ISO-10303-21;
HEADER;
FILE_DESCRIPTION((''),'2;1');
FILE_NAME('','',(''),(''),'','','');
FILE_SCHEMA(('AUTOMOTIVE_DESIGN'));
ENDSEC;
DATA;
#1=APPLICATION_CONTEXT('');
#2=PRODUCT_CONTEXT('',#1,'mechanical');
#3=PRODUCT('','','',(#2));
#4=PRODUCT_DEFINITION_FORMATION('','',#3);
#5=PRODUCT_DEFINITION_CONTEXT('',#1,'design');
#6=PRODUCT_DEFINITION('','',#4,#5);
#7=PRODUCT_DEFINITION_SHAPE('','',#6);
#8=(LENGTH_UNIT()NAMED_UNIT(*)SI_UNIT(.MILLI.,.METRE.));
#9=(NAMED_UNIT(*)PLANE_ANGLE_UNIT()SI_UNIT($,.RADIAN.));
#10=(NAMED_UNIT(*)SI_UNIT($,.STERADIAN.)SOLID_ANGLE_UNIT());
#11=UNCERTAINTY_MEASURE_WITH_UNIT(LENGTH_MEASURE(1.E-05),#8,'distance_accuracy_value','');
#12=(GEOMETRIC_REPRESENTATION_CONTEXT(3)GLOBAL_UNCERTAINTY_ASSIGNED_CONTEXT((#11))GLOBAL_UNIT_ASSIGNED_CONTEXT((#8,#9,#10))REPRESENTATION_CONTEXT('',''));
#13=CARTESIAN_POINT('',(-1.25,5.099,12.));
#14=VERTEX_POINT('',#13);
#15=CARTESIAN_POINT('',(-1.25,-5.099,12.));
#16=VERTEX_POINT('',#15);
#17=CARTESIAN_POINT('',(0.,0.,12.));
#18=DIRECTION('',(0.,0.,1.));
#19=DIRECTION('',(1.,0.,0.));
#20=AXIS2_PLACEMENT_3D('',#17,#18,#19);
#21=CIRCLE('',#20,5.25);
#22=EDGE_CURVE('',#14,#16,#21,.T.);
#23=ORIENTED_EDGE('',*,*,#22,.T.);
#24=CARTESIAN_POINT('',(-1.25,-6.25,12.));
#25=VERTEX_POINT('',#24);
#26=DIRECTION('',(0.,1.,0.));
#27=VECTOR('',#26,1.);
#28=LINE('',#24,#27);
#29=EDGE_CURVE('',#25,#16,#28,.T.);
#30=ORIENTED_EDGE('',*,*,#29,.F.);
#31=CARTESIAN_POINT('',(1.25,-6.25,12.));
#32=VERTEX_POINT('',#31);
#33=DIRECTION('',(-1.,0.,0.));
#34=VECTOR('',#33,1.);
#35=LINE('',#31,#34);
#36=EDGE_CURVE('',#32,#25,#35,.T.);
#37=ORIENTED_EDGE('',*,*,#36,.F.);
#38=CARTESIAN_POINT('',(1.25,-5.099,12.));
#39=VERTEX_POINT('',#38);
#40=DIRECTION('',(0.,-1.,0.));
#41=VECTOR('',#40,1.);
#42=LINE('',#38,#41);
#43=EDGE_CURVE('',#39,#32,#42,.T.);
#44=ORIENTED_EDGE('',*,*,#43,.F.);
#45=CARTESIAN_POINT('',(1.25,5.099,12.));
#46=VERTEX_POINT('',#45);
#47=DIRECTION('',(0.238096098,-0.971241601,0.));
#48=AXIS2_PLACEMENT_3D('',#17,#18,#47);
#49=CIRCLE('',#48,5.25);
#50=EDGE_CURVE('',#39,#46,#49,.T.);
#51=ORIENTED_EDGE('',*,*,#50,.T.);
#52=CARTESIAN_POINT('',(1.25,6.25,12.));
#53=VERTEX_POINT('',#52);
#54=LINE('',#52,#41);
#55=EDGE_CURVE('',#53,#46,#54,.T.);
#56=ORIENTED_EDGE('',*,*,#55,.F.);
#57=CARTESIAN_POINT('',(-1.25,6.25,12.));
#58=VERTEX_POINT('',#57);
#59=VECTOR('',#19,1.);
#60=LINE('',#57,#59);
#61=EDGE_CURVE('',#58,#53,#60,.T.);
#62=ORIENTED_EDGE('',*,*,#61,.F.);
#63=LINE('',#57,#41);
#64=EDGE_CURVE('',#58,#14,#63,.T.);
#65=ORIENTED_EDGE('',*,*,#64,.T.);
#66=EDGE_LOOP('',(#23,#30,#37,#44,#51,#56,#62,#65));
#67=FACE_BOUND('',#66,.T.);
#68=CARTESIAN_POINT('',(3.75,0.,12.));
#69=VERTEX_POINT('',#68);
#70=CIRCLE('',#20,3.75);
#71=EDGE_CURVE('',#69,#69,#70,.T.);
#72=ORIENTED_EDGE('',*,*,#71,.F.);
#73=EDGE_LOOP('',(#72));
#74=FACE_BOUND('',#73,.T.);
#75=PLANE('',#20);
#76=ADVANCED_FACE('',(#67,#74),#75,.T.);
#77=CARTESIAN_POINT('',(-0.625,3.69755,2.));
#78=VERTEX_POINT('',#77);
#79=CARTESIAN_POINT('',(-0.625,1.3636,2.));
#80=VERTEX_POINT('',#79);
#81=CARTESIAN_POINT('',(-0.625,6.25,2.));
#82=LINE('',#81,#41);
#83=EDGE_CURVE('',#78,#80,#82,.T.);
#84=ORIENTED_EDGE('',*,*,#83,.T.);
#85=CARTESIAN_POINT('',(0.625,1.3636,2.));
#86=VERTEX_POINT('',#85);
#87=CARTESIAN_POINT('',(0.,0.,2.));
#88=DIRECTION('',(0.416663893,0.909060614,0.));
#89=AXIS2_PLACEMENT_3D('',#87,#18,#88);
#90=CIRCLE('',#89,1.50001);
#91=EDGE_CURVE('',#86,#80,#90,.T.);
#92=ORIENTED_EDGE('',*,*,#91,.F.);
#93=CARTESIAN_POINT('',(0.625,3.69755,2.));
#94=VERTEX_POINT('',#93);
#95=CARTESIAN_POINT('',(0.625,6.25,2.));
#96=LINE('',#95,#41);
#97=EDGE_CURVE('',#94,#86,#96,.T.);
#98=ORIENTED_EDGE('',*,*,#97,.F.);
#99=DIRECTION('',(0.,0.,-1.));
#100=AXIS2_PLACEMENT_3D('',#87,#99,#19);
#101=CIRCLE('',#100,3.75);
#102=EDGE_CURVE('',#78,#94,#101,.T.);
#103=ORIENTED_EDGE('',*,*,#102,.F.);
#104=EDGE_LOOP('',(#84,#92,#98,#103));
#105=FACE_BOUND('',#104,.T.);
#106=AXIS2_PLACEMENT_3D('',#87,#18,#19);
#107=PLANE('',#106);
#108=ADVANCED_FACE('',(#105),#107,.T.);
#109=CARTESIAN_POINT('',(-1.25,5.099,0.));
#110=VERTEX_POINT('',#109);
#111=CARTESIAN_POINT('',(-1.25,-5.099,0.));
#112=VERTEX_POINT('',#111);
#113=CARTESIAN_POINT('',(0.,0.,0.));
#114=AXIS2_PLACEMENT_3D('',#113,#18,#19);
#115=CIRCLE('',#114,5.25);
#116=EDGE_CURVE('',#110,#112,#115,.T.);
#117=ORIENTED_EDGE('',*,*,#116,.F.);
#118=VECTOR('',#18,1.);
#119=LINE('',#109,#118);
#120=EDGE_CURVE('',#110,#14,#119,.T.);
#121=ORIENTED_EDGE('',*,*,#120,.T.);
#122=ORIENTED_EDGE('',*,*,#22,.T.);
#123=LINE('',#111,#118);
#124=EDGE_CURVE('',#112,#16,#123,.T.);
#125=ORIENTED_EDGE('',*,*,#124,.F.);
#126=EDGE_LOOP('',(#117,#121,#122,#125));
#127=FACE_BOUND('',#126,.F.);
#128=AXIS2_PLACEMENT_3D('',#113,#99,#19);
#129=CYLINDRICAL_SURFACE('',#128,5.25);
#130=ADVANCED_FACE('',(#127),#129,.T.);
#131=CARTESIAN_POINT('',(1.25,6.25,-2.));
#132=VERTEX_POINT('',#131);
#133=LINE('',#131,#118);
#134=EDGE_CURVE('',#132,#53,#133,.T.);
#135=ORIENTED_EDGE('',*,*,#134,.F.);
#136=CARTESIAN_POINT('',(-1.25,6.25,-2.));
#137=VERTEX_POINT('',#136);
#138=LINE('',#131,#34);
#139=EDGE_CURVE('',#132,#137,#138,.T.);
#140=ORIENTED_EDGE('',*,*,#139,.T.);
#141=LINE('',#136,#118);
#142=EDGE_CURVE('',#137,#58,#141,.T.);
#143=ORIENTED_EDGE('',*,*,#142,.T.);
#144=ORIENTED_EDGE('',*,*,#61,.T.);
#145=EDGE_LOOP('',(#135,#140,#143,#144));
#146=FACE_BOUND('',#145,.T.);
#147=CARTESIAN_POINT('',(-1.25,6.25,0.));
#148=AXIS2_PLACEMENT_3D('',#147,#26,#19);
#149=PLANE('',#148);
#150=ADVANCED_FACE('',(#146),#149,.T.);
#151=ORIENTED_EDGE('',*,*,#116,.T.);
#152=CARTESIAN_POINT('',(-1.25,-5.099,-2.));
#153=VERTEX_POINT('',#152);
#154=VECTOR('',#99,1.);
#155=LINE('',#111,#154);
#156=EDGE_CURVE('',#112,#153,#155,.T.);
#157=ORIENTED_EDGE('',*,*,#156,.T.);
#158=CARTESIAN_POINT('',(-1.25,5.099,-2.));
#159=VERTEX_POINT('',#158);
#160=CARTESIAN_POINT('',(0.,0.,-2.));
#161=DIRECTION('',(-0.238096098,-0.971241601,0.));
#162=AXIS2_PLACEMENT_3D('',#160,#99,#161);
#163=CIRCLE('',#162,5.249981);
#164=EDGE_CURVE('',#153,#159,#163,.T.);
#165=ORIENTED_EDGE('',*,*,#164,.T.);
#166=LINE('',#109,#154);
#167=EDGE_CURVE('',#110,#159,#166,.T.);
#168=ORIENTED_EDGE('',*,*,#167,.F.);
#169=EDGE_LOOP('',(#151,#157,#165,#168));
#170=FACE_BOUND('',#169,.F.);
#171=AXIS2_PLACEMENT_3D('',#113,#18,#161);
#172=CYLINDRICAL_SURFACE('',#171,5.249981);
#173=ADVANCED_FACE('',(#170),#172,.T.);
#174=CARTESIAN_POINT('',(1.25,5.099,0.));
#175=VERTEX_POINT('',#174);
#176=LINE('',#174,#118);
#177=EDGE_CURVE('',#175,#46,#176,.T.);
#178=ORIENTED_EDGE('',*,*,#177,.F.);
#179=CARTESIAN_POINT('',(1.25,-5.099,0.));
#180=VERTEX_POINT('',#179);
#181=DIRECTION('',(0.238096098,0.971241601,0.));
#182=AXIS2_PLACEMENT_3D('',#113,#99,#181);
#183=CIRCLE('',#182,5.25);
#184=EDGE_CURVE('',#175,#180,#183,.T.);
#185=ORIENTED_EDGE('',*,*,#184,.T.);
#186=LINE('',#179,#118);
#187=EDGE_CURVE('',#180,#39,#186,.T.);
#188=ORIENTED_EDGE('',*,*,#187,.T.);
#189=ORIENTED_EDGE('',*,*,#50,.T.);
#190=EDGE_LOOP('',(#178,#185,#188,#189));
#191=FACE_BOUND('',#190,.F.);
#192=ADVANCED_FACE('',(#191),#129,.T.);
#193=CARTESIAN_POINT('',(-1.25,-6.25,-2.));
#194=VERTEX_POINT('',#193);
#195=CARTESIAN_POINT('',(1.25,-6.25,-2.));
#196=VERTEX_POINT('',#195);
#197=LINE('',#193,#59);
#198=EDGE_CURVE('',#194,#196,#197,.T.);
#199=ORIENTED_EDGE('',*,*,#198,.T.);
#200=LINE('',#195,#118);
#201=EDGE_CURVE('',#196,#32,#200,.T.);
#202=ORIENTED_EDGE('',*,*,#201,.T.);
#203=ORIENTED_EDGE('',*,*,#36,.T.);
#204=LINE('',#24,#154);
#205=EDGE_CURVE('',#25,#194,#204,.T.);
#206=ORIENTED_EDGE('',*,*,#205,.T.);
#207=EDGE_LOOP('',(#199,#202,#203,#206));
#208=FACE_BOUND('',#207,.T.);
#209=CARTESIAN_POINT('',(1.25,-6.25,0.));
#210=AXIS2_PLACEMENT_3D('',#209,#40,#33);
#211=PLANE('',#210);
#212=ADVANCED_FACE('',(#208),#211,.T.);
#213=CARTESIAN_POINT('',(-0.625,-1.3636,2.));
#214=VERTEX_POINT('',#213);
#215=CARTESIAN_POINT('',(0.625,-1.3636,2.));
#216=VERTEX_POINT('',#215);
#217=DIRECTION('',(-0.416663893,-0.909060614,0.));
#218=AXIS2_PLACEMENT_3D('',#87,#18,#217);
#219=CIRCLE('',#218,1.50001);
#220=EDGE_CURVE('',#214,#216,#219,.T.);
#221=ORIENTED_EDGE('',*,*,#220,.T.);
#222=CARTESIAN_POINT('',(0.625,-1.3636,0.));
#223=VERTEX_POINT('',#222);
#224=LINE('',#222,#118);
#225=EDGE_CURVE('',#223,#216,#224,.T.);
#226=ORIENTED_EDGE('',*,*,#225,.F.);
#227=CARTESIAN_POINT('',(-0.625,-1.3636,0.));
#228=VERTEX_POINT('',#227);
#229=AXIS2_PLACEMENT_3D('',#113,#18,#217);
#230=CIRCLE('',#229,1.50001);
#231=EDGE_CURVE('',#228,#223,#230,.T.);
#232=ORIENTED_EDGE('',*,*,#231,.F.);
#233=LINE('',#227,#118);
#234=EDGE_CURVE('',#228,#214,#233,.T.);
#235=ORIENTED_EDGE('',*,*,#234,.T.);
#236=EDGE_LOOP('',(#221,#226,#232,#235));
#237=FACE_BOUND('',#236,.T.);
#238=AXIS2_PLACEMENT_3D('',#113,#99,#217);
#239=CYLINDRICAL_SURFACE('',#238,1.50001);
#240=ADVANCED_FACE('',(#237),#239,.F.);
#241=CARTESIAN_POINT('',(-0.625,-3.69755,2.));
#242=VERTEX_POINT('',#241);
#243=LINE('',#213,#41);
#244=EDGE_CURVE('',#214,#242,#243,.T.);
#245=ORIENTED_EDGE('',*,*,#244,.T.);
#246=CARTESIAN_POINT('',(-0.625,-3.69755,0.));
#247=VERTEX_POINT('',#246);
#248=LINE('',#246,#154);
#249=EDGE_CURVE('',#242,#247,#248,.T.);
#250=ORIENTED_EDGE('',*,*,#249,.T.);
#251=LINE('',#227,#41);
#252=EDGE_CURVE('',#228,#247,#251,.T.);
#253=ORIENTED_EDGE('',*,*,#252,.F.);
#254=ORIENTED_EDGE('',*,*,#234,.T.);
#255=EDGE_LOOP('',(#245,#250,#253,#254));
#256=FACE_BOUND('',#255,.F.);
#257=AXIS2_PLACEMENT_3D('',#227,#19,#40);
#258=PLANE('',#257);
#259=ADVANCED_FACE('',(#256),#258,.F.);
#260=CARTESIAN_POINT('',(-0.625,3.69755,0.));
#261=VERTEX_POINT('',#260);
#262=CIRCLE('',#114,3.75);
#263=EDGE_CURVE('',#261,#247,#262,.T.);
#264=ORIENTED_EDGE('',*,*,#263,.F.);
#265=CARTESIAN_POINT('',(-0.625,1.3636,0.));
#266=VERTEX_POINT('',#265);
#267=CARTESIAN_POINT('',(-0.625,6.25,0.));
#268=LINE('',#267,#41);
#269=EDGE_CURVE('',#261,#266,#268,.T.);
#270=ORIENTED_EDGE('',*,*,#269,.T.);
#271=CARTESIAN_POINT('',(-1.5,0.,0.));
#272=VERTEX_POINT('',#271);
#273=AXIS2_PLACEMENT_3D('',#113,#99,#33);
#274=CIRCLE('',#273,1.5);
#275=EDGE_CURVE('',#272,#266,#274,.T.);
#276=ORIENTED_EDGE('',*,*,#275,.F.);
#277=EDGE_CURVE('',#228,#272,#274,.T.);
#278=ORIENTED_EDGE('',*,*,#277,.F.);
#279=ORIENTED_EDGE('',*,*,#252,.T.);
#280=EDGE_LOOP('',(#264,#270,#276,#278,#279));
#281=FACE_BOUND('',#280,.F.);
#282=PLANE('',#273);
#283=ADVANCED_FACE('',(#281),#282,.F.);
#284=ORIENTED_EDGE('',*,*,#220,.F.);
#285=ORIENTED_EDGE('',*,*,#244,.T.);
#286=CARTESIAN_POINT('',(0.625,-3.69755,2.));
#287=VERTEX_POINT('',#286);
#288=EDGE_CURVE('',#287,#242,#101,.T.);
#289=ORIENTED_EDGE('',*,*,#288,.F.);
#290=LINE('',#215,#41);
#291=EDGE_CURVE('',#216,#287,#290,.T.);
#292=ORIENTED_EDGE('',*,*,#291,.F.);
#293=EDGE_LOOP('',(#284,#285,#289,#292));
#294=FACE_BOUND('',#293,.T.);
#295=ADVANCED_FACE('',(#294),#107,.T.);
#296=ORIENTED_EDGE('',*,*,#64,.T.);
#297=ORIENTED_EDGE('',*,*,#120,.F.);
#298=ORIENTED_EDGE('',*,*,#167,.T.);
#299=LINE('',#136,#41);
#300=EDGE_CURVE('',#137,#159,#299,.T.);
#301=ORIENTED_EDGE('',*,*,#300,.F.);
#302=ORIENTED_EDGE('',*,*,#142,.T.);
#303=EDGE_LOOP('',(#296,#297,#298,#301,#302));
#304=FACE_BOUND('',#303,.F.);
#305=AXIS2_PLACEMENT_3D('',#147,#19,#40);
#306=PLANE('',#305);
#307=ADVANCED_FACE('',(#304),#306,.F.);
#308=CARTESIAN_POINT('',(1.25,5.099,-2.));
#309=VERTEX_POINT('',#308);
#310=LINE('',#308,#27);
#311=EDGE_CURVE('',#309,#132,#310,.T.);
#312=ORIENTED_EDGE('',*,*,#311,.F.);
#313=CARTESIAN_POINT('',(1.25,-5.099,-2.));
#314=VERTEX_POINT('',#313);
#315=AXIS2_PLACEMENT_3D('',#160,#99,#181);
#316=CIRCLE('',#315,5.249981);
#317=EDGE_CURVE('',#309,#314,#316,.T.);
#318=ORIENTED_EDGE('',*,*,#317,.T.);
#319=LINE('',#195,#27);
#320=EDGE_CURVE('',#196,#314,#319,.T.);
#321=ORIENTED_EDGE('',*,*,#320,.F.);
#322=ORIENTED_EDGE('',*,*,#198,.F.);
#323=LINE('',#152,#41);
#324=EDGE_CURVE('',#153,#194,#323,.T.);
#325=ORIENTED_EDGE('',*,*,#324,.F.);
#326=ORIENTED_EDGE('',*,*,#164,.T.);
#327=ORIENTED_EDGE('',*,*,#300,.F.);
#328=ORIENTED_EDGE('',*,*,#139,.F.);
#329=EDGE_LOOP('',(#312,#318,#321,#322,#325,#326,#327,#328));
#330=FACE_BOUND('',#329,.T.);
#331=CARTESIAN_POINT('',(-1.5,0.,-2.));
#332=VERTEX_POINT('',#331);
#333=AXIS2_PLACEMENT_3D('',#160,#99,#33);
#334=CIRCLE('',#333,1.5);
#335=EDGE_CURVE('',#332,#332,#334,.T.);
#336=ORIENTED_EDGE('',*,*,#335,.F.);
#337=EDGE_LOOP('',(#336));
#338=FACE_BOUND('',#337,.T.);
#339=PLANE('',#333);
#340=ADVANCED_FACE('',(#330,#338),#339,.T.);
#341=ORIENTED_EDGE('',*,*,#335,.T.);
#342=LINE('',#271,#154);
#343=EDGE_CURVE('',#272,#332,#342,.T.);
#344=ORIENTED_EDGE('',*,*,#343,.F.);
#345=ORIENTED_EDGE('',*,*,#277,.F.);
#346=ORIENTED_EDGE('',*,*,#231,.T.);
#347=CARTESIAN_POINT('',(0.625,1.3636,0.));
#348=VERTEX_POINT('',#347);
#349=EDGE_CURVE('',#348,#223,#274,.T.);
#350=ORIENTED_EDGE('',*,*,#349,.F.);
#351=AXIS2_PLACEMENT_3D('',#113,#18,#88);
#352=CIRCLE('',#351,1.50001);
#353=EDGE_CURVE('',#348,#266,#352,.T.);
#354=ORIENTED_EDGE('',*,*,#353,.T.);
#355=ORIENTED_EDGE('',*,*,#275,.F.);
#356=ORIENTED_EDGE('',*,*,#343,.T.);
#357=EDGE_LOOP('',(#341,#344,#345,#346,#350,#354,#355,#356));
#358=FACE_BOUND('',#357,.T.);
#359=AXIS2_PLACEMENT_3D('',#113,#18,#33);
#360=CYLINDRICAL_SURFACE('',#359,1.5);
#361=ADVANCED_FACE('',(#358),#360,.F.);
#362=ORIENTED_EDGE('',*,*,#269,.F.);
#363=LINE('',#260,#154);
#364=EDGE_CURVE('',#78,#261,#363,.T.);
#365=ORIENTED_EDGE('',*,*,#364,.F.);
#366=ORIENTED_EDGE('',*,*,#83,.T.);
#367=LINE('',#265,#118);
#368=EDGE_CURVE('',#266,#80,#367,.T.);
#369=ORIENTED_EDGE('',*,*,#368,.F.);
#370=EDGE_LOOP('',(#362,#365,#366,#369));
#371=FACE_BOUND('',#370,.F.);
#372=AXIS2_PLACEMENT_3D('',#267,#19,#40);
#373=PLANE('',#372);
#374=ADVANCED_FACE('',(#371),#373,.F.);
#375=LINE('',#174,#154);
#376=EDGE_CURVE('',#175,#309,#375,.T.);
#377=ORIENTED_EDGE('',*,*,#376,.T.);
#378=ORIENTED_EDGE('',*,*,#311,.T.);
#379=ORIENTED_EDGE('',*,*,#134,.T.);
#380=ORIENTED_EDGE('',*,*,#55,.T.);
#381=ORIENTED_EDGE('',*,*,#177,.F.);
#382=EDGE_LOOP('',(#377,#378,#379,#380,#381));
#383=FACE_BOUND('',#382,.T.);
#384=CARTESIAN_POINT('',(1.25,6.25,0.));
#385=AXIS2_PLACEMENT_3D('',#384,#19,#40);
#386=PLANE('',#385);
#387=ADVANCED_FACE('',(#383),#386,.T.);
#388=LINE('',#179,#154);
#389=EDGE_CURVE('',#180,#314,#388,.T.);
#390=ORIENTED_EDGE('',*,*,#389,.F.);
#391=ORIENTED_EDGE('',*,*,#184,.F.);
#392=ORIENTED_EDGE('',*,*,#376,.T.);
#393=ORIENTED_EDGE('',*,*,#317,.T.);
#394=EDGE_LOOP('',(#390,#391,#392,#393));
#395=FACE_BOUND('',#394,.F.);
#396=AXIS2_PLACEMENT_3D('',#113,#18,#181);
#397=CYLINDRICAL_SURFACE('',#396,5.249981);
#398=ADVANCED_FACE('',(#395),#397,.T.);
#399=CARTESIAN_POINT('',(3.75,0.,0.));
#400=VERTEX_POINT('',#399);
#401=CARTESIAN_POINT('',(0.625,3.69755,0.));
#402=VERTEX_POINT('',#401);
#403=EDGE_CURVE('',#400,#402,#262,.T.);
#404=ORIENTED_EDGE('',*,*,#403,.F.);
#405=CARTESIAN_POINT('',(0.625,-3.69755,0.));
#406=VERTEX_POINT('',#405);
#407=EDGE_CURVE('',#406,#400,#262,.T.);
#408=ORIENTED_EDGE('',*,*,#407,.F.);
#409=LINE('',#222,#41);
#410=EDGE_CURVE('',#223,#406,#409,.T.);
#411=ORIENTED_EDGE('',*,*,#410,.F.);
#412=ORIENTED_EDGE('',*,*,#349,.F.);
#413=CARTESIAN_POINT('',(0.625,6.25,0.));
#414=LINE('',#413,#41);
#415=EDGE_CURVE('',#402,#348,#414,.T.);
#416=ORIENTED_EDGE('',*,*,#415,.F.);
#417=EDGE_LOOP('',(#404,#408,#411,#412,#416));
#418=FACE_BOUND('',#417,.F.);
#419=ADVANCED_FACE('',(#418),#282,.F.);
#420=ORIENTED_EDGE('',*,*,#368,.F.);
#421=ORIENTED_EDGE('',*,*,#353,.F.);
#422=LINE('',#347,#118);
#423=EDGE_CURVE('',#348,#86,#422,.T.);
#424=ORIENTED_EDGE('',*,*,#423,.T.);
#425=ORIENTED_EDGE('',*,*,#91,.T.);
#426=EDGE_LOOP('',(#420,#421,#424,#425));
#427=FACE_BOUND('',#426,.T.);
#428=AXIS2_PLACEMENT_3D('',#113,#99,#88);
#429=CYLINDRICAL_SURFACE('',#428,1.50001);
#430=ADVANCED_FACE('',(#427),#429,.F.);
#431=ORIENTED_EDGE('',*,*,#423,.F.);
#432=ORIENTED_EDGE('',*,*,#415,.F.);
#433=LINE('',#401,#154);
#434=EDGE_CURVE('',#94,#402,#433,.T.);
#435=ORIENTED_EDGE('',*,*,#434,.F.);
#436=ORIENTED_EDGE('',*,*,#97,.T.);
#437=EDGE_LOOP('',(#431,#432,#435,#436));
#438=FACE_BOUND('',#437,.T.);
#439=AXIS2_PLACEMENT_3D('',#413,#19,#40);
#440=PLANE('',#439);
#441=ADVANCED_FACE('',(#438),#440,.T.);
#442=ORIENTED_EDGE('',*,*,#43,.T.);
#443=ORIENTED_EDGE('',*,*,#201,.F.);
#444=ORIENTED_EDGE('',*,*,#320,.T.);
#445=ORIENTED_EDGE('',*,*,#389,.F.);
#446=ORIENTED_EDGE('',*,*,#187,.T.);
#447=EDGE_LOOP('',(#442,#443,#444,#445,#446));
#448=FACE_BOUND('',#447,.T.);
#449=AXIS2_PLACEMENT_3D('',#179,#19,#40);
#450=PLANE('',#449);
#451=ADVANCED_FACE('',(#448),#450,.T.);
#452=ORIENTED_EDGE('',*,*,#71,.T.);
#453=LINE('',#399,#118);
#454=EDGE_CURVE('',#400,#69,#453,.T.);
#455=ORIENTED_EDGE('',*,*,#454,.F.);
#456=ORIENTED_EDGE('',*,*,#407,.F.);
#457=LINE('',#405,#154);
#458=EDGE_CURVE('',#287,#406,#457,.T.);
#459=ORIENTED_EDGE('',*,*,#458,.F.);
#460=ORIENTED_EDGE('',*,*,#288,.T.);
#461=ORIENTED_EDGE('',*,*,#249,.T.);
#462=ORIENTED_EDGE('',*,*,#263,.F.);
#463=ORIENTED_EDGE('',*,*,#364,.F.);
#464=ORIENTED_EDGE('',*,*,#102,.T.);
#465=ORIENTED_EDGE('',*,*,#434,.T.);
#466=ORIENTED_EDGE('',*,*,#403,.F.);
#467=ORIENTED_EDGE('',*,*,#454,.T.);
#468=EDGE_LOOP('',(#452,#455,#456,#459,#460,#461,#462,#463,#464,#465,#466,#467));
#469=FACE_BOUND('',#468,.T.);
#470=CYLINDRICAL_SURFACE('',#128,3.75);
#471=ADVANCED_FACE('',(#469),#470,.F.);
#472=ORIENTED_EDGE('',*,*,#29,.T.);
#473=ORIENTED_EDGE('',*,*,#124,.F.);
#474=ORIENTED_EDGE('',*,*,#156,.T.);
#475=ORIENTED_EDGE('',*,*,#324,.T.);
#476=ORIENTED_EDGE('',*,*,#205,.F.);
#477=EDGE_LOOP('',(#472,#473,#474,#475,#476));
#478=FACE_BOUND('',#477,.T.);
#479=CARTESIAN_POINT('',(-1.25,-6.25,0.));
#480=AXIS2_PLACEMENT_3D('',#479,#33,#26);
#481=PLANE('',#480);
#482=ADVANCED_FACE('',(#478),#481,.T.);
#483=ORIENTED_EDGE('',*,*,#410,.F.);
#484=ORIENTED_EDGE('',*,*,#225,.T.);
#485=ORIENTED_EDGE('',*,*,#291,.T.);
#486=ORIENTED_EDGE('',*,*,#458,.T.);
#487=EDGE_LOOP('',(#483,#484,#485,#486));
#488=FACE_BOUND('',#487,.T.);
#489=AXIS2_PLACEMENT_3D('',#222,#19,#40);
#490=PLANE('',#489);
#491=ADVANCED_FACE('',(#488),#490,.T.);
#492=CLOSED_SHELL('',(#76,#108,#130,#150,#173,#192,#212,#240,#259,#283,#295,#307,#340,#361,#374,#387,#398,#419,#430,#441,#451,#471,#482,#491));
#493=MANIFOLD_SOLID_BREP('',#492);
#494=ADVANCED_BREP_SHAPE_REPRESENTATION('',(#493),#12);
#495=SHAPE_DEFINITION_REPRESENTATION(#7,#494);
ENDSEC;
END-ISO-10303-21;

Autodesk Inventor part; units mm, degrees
ref_plane "YZ Plane" through (0, 0, 0) normal (1, 0, 0) x (0, 1, 0)
ref_plane "XZ Plane" through (0, 0, 0) normal (0, 1, 0) x (-1, 0, 0)
ref_plane "XY Plane" through (0, 0, 0) normal (0, 0, 1) x (1, 0, 0)
sketch "Sketch1" plane through (0, 0, 0) normal (0, 0, 1) x (1, 0, 0)
  circle A0 centre (0, 0) radius 3.75
  line L0 (1.25, -6.25) -> (-1.25, -6.25)
  line L1 (-1.25, -6.25) -> (-1.25, 6.25) construction
  line L2 (-1.25, 6.25) -> (1.25, 6.25)
  line L3 (1.25, 6.25) -> (1.25, -6.25) construction
  circle A1 centre (0, 0) radius 5.25
  line L4 (1.25, -5.099) -> (1.25, -6.25)
  line L5 (-1.25, -6.25) -> (-1.25, -5.099)
  line L6 (-1.25, 6.25) -> (-1.25, 5.099)
  line L7 (1.25, 6.25) -> (1.25, 5.099)
  arc A2 (-1.25, -5.099) -> (1.25, -5.099) centre (0, 0) ccw
  arc A3 (1.25, 5.099) -> (-1.25, 5.099) centre (0, 0) ccw
  point P0 (0, 6.25)
  point P1 (1.25, 0)
  dimension "d1" = 7.5
  dimension "d10" = 2.5
  dimension "d11" = 12.5
  dimension "d12" = 10.5
extrude "Extrusion1" add sketch "Sketch1" along normal blind 12
sketch "Sketch5" plane through (0, 0, 0) normal (0, 0, -1) x (-1, 0, 0)
  circle A0 centre (0, 0) radius 3.75 projected
  circle A1 centre (0, 0) radius 3.75 projected
  line L0 (-1.25, -6.25) -> (-1.25, -5.099) projected
  line L1 (1.25, -6.25) -> (-1.25, -6.25) projected
  line L2 (1.25, -5.099) -> (1.25, -6.25) projected
  arc A2 (1.25, -5.099) -> (1.25, 5.099) centre (0, 0) ccw projected
  line L3 (1.25, 6.25) -> (1.25, 5.099) projected
  line L4 (-1.25, 6.25) -> (1.25, 6.25) projected
  line L5 (-1.25, 5.099) -> (-1.25, 6.25) projected
  arc A3 (-1.25, 5.099) -> (-1.25, -5.099) centre (0, 0) ccw projected
  circle A4 centre (0, 0) radius 1.5
  dimension "d13" = 3
extrude "Extrusion4" add sketch "Sketch5" along normal blind 2 contours A0 | L0 A3 L5 L4 L3 A2 L2 L1
sketch "Sketch6" plane through (0, 0, 0) normal (0, 0, 1) x (1, 0, 0)
  line L0 (0.625, 6.25) -> (-0.625, 6.25)
  line L1 (-0.625, 6.25) -> (-0.625, -6.25) construction
  line L2 (-0.625, -6.25) -> (0.625, -6.25)
  line L3 (0.625, -6.25) -> (0.625, 6.25) construction
  line L4 (-1.25, 6.25) -> (1.25, 6.25) projected
  circle A0 centre (0, 0) radius 1.5 construction
  arc A1 (0.625, 1.3636) -> (-0.625, 1.3636) centre (0, 0) ccw
  arc A2 (-0.625, -1.3636) -> (0.625, -1.3636) centre (0, 0) ccw
  line L5 (0.625, 6.25) -> (0.625, 1.3636)
  line L6 (-0.625, 6.25) -> (-0.625, 1.3636)
  line L7 (0.625, -1.3636) -> (0.625, -6.25)
  line L8 (-0.625, -1.3636) -> (-0.625, -6.25)
  point P0 (0, 0)
  point P1 (0, 6.25)
  point P2 (0.625, 0)
  dimension "d16" = 1.25
extrude "Extrusion5" add sketch "Sketch6" along normal blind 2
properties part number "AA042" material "ABS Plastic"
